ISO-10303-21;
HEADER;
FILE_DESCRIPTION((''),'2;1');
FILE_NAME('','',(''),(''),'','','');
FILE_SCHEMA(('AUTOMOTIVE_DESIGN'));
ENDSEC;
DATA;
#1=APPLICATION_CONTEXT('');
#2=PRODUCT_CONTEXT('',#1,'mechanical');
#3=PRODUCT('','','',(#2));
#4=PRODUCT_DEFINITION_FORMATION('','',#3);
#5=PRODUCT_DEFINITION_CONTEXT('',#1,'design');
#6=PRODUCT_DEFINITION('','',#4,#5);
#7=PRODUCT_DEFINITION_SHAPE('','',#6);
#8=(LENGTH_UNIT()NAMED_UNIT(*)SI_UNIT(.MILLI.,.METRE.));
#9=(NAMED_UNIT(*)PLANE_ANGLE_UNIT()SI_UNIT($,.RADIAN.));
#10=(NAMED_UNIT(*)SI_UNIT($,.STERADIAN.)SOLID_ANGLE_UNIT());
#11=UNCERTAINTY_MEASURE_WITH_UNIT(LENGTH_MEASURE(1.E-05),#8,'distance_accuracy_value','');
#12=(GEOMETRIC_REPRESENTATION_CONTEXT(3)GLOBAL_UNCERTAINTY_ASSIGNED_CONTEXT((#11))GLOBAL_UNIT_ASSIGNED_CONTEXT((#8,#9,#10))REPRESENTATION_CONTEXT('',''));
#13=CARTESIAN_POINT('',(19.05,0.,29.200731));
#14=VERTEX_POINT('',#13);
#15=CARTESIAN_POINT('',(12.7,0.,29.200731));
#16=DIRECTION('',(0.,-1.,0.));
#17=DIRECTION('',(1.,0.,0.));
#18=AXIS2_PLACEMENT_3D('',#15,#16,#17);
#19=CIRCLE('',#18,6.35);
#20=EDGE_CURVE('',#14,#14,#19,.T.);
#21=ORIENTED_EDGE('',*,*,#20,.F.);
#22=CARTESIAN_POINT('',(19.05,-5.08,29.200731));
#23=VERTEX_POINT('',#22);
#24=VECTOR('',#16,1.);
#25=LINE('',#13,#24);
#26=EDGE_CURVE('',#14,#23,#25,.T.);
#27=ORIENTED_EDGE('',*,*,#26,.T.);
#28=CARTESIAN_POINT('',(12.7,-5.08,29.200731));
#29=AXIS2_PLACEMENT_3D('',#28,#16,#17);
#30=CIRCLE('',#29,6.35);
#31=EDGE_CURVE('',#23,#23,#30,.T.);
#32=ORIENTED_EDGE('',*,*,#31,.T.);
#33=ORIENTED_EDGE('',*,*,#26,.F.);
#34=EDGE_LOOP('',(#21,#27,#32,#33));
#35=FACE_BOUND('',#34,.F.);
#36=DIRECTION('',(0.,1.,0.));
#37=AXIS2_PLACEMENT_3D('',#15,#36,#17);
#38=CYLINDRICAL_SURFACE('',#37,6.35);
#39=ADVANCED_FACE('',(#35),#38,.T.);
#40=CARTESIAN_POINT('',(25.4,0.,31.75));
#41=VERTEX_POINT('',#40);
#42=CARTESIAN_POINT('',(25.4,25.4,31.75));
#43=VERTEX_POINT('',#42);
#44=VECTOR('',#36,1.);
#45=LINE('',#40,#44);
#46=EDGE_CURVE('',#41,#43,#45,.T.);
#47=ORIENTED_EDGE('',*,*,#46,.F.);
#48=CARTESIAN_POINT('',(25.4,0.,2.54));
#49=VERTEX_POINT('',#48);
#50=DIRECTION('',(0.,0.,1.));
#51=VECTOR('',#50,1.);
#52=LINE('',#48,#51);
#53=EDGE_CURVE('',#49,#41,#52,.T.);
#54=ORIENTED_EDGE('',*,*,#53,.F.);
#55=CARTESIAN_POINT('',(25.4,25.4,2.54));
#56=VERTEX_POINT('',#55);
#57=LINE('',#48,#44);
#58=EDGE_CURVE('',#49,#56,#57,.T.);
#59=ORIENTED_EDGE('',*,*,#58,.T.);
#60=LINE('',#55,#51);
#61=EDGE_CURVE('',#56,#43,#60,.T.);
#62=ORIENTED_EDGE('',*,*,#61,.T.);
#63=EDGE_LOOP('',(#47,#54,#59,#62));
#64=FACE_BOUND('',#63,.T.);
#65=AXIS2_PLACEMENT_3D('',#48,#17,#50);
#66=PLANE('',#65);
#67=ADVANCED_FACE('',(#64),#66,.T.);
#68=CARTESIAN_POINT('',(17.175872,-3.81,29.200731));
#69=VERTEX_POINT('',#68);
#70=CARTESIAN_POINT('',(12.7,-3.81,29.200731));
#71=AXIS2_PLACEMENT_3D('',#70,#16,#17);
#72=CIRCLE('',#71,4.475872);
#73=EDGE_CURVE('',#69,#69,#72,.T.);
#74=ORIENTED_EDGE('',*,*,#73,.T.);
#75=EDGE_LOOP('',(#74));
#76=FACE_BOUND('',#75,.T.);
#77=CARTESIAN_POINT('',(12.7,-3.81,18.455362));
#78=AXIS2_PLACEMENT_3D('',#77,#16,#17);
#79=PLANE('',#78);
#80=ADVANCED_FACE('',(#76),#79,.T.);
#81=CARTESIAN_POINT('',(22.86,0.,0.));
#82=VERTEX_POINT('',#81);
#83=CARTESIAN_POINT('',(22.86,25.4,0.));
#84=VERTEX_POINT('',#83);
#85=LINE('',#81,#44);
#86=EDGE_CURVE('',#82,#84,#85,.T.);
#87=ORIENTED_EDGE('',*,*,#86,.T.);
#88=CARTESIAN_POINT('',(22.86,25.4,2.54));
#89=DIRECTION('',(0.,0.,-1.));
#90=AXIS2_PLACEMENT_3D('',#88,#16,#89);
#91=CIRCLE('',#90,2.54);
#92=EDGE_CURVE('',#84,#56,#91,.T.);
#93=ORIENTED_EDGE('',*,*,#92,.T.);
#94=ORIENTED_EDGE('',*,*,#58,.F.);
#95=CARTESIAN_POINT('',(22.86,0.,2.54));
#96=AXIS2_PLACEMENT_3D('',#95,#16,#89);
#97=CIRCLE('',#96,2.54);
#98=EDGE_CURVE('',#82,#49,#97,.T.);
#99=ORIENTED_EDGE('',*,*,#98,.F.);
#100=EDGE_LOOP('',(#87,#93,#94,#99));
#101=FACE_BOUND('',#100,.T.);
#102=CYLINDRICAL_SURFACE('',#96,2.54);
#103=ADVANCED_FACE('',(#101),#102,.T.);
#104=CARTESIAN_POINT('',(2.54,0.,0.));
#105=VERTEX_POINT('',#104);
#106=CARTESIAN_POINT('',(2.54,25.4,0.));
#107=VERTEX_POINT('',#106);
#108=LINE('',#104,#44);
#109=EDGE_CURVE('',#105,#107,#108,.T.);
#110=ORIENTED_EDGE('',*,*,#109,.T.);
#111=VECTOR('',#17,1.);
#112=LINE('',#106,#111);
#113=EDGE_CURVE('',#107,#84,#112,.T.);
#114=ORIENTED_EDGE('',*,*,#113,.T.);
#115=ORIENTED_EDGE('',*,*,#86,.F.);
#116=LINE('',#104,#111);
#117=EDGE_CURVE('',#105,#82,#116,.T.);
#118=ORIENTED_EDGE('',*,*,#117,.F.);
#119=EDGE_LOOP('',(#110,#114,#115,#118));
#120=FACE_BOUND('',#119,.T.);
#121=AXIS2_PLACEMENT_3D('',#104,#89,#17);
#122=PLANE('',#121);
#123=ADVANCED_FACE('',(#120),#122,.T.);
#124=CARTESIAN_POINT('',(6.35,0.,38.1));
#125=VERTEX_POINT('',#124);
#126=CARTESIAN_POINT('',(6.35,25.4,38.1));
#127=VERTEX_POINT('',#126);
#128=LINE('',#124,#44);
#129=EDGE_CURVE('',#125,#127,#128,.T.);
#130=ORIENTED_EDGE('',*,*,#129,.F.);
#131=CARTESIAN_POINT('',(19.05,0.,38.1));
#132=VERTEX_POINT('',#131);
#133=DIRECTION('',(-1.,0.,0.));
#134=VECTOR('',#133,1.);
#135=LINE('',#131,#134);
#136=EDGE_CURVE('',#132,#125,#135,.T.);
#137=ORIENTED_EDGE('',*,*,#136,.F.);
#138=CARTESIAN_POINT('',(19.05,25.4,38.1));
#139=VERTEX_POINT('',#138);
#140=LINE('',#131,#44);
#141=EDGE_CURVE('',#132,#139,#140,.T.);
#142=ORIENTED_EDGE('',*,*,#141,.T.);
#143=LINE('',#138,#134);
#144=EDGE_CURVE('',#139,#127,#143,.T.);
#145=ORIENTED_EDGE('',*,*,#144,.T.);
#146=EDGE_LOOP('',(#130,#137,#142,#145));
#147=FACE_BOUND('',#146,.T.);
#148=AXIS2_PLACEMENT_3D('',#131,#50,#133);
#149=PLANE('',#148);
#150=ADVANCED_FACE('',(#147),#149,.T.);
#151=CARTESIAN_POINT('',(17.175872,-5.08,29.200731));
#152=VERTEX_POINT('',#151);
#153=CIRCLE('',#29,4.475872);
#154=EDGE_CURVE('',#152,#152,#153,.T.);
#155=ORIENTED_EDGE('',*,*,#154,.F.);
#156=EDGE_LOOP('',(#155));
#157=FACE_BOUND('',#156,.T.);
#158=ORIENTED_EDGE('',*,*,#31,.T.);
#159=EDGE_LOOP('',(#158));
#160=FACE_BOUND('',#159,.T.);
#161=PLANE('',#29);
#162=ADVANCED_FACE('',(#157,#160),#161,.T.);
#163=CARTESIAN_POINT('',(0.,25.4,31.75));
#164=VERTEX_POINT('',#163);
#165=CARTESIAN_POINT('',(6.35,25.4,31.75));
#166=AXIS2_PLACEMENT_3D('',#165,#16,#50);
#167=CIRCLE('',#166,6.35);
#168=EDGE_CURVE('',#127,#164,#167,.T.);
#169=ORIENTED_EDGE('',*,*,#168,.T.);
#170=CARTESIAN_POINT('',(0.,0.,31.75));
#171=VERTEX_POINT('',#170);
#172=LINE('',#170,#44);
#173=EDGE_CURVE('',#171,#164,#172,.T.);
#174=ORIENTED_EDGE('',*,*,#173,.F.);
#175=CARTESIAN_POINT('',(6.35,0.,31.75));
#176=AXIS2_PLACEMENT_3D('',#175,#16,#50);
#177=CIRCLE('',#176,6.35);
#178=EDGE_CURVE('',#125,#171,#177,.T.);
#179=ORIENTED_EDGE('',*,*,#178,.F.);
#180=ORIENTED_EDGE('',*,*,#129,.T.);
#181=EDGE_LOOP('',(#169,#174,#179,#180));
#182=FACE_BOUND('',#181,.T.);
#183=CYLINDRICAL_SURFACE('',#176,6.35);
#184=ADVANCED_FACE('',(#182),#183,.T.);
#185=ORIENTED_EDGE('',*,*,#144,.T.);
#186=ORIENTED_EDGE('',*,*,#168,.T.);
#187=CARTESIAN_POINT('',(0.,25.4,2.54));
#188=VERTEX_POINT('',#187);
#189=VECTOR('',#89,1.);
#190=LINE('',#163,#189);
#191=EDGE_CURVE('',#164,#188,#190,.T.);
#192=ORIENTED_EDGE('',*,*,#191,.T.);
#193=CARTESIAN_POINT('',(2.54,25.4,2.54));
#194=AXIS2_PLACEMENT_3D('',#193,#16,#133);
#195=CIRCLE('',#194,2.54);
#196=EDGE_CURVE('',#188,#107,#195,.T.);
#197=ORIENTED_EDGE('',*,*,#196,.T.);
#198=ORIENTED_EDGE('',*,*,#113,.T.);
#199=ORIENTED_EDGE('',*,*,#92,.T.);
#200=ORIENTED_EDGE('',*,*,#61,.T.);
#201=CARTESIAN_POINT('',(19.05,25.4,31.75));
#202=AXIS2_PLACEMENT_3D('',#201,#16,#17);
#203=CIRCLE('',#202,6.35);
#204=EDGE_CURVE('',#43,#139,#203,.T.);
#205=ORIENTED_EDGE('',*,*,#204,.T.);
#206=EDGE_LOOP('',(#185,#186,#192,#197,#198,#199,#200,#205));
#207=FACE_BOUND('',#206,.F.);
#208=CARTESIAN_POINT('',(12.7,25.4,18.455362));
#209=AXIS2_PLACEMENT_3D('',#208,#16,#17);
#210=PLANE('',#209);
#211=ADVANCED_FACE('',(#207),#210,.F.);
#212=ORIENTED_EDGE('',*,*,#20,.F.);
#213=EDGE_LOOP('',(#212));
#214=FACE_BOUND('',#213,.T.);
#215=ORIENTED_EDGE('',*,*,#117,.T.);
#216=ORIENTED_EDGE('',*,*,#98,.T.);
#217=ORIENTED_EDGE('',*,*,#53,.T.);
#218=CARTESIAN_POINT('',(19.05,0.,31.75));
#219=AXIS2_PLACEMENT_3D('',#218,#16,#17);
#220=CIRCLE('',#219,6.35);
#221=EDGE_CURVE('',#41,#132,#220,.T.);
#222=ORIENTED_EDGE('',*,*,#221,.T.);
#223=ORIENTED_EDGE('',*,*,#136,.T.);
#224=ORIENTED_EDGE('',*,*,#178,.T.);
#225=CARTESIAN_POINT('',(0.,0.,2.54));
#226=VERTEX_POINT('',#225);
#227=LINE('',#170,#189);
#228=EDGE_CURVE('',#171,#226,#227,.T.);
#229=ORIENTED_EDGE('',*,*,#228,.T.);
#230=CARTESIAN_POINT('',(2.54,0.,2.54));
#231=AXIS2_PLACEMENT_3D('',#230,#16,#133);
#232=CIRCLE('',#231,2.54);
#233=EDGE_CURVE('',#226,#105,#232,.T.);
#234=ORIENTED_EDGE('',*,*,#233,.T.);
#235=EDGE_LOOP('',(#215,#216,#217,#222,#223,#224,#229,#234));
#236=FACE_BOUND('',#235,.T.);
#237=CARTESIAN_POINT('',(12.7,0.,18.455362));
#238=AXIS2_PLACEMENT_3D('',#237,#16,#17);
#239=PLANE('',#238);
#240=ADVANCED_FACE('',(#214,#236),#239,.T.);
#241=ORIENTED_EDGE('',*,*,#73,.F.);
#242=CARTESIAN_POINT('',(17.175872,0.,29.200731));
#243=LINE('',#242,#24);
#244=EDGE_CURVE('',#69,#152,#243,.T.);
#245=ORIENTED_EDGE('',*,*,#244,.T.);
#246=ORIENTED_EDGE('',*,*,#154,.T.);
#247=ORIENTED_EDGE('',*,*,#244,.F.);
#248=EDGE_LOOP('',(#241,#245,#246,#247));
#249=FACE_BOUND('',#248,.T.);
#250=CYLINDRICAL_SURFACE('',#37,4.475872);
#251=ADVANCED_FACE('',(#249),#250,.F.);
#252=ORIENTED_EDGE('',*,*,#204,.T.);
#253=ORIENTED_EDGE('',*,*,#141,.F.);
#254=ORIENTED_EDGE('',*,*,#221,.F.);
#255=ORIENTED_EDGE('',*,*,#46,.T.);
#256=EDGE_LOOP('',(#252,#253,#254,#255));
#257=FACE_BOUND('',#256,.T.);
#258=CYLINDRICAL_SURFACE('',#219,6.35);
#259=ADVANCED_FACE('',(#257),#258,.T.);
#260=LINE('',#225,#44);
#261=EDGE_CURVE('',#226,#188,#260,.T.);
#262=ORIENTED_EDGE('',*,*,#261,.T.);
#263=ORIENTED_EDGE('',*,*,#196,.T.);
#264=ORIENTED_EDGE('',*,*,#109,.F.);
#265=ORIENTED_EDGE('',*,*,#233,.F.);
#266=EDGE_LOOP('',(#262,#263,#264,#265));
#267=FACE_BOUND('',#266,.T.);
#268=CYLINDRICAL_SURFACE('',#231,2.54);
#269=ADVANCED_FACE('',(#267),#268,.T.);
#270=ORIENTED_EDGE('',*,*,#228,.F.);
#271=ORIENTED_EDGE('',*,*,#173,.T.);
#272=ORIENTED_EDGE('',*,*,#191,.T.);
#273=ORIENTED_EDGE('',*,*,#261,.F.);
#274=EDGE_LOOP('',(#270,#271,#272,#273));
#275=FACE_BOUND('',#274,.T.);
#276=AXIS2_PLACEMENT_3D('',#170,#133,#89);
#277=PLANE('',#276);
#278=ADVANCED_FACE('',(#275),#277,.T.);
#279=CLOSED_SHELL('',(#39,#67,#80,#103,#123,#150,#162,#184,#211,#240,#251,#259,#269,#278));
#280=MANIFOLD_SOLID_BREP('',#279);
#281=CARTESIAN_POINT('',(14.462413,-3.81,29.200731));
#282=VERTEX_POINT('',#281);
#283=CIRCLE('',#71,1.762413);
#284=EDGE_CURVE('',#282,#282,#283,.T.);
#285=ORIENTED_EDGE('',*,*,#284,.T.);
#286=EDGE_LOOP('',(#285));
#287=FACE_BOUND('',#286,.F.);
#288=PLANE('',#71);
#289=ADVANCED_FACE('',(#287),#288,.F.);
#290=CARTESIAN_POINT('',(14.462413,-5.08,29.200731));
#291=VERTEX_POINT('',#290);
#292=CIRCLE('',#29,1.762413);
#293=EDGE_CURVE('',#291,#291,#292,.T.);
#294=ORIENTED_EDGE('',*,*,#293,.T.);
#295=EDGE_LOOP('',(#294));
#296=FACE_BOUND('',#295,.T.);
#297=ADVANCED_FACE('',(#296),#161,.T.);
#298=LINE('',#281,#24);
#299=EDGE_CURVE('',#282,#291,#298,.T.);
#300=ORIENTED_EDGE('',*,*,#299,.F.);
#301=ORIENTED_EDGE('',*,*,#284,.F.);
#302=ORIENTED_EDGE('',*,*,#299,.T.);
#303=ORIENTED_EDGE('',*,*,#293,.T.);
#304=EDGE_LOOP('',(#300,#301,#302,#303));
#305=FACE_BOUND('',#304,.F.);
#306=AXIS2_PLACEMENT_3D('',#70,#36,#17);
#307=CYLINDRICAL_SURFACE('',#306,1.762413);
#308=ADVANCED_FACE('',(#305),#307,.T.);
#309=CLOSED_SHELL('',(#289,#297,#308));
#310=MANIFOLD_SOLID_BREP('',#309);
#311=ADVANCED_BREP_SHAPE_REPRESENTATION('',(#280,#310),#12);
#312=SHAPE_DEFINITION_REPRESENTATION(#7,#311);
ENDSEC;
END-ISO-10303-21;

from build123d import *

# Parameters (mm, degrees)
F1_DEPTH = 25.4
F2_R     = 6.35
F2_R_2   = 4.4758717648
F3_DEPTH = 5.08
F4_DEPTH = 3.81
F5_R     = 1.7624127153
F6_DEPTH = 1.27


with BuildPart() as f1:
    # F0 (on Front) → F1 (new body)
    with BuildSketch(Plane.XZ):
        with BuildLine():
            Line((0, 31.75), (0, 2.54))
            ThreePointArc((0, 2.54), (0.7439487758, 0.7439487758), (2.54, 0))
            Line((2.54, 0), (22.86, 0))
            ThreePointArc((22.86, 0), (24.6560512242, 0.7439487758), (25.4, 2.54))
            Line((25.4, 2.54), (25.4, 31.75))
            ThreePointArc((25.4, 31.75), (23.5401280605, 36.2401280605), (19.05, 38.1))
            Line((19.05, 38.1), (6.35, 38.1))
            ThreePointArc((6.35, 38.1), (1.8598719395, 36.2401280605), (0, 31.75))
        make_face()
    extrude(amount=-F1_DEPTH)

    # F2 (on face) → F3 (join)
    with BuildSketch(Plane.XZ):
        with Locations((12.7, 29.2007308453)):
            Circle(F2_R)
        with Locations((12.7, 29.2007308453)):
            Circle(F2_R_2, mode=Mode.SUBTRACT)
    extrude(amount=F3_DEPTH)

    # F4 (add): a face of the model
    f4_faces = [f1.faces().sort_by_distance(p)[0] for p in [
        (12.7, 0, 29.2007308453),
    ]]
    extrude(f4_faces, amount=F4_DEPTH)


with BuildPart() as f6:
    # F5 (on face) → F6 (new body)
    with BuildSketch(Plane.XZ.offset(3.81)):
        with Locations((12.7, 29.2007308453)):
            Circle(F5_R)
    extrude(amount=F6_DEPTH)


solid = Compound([f1.part, f6.part])
